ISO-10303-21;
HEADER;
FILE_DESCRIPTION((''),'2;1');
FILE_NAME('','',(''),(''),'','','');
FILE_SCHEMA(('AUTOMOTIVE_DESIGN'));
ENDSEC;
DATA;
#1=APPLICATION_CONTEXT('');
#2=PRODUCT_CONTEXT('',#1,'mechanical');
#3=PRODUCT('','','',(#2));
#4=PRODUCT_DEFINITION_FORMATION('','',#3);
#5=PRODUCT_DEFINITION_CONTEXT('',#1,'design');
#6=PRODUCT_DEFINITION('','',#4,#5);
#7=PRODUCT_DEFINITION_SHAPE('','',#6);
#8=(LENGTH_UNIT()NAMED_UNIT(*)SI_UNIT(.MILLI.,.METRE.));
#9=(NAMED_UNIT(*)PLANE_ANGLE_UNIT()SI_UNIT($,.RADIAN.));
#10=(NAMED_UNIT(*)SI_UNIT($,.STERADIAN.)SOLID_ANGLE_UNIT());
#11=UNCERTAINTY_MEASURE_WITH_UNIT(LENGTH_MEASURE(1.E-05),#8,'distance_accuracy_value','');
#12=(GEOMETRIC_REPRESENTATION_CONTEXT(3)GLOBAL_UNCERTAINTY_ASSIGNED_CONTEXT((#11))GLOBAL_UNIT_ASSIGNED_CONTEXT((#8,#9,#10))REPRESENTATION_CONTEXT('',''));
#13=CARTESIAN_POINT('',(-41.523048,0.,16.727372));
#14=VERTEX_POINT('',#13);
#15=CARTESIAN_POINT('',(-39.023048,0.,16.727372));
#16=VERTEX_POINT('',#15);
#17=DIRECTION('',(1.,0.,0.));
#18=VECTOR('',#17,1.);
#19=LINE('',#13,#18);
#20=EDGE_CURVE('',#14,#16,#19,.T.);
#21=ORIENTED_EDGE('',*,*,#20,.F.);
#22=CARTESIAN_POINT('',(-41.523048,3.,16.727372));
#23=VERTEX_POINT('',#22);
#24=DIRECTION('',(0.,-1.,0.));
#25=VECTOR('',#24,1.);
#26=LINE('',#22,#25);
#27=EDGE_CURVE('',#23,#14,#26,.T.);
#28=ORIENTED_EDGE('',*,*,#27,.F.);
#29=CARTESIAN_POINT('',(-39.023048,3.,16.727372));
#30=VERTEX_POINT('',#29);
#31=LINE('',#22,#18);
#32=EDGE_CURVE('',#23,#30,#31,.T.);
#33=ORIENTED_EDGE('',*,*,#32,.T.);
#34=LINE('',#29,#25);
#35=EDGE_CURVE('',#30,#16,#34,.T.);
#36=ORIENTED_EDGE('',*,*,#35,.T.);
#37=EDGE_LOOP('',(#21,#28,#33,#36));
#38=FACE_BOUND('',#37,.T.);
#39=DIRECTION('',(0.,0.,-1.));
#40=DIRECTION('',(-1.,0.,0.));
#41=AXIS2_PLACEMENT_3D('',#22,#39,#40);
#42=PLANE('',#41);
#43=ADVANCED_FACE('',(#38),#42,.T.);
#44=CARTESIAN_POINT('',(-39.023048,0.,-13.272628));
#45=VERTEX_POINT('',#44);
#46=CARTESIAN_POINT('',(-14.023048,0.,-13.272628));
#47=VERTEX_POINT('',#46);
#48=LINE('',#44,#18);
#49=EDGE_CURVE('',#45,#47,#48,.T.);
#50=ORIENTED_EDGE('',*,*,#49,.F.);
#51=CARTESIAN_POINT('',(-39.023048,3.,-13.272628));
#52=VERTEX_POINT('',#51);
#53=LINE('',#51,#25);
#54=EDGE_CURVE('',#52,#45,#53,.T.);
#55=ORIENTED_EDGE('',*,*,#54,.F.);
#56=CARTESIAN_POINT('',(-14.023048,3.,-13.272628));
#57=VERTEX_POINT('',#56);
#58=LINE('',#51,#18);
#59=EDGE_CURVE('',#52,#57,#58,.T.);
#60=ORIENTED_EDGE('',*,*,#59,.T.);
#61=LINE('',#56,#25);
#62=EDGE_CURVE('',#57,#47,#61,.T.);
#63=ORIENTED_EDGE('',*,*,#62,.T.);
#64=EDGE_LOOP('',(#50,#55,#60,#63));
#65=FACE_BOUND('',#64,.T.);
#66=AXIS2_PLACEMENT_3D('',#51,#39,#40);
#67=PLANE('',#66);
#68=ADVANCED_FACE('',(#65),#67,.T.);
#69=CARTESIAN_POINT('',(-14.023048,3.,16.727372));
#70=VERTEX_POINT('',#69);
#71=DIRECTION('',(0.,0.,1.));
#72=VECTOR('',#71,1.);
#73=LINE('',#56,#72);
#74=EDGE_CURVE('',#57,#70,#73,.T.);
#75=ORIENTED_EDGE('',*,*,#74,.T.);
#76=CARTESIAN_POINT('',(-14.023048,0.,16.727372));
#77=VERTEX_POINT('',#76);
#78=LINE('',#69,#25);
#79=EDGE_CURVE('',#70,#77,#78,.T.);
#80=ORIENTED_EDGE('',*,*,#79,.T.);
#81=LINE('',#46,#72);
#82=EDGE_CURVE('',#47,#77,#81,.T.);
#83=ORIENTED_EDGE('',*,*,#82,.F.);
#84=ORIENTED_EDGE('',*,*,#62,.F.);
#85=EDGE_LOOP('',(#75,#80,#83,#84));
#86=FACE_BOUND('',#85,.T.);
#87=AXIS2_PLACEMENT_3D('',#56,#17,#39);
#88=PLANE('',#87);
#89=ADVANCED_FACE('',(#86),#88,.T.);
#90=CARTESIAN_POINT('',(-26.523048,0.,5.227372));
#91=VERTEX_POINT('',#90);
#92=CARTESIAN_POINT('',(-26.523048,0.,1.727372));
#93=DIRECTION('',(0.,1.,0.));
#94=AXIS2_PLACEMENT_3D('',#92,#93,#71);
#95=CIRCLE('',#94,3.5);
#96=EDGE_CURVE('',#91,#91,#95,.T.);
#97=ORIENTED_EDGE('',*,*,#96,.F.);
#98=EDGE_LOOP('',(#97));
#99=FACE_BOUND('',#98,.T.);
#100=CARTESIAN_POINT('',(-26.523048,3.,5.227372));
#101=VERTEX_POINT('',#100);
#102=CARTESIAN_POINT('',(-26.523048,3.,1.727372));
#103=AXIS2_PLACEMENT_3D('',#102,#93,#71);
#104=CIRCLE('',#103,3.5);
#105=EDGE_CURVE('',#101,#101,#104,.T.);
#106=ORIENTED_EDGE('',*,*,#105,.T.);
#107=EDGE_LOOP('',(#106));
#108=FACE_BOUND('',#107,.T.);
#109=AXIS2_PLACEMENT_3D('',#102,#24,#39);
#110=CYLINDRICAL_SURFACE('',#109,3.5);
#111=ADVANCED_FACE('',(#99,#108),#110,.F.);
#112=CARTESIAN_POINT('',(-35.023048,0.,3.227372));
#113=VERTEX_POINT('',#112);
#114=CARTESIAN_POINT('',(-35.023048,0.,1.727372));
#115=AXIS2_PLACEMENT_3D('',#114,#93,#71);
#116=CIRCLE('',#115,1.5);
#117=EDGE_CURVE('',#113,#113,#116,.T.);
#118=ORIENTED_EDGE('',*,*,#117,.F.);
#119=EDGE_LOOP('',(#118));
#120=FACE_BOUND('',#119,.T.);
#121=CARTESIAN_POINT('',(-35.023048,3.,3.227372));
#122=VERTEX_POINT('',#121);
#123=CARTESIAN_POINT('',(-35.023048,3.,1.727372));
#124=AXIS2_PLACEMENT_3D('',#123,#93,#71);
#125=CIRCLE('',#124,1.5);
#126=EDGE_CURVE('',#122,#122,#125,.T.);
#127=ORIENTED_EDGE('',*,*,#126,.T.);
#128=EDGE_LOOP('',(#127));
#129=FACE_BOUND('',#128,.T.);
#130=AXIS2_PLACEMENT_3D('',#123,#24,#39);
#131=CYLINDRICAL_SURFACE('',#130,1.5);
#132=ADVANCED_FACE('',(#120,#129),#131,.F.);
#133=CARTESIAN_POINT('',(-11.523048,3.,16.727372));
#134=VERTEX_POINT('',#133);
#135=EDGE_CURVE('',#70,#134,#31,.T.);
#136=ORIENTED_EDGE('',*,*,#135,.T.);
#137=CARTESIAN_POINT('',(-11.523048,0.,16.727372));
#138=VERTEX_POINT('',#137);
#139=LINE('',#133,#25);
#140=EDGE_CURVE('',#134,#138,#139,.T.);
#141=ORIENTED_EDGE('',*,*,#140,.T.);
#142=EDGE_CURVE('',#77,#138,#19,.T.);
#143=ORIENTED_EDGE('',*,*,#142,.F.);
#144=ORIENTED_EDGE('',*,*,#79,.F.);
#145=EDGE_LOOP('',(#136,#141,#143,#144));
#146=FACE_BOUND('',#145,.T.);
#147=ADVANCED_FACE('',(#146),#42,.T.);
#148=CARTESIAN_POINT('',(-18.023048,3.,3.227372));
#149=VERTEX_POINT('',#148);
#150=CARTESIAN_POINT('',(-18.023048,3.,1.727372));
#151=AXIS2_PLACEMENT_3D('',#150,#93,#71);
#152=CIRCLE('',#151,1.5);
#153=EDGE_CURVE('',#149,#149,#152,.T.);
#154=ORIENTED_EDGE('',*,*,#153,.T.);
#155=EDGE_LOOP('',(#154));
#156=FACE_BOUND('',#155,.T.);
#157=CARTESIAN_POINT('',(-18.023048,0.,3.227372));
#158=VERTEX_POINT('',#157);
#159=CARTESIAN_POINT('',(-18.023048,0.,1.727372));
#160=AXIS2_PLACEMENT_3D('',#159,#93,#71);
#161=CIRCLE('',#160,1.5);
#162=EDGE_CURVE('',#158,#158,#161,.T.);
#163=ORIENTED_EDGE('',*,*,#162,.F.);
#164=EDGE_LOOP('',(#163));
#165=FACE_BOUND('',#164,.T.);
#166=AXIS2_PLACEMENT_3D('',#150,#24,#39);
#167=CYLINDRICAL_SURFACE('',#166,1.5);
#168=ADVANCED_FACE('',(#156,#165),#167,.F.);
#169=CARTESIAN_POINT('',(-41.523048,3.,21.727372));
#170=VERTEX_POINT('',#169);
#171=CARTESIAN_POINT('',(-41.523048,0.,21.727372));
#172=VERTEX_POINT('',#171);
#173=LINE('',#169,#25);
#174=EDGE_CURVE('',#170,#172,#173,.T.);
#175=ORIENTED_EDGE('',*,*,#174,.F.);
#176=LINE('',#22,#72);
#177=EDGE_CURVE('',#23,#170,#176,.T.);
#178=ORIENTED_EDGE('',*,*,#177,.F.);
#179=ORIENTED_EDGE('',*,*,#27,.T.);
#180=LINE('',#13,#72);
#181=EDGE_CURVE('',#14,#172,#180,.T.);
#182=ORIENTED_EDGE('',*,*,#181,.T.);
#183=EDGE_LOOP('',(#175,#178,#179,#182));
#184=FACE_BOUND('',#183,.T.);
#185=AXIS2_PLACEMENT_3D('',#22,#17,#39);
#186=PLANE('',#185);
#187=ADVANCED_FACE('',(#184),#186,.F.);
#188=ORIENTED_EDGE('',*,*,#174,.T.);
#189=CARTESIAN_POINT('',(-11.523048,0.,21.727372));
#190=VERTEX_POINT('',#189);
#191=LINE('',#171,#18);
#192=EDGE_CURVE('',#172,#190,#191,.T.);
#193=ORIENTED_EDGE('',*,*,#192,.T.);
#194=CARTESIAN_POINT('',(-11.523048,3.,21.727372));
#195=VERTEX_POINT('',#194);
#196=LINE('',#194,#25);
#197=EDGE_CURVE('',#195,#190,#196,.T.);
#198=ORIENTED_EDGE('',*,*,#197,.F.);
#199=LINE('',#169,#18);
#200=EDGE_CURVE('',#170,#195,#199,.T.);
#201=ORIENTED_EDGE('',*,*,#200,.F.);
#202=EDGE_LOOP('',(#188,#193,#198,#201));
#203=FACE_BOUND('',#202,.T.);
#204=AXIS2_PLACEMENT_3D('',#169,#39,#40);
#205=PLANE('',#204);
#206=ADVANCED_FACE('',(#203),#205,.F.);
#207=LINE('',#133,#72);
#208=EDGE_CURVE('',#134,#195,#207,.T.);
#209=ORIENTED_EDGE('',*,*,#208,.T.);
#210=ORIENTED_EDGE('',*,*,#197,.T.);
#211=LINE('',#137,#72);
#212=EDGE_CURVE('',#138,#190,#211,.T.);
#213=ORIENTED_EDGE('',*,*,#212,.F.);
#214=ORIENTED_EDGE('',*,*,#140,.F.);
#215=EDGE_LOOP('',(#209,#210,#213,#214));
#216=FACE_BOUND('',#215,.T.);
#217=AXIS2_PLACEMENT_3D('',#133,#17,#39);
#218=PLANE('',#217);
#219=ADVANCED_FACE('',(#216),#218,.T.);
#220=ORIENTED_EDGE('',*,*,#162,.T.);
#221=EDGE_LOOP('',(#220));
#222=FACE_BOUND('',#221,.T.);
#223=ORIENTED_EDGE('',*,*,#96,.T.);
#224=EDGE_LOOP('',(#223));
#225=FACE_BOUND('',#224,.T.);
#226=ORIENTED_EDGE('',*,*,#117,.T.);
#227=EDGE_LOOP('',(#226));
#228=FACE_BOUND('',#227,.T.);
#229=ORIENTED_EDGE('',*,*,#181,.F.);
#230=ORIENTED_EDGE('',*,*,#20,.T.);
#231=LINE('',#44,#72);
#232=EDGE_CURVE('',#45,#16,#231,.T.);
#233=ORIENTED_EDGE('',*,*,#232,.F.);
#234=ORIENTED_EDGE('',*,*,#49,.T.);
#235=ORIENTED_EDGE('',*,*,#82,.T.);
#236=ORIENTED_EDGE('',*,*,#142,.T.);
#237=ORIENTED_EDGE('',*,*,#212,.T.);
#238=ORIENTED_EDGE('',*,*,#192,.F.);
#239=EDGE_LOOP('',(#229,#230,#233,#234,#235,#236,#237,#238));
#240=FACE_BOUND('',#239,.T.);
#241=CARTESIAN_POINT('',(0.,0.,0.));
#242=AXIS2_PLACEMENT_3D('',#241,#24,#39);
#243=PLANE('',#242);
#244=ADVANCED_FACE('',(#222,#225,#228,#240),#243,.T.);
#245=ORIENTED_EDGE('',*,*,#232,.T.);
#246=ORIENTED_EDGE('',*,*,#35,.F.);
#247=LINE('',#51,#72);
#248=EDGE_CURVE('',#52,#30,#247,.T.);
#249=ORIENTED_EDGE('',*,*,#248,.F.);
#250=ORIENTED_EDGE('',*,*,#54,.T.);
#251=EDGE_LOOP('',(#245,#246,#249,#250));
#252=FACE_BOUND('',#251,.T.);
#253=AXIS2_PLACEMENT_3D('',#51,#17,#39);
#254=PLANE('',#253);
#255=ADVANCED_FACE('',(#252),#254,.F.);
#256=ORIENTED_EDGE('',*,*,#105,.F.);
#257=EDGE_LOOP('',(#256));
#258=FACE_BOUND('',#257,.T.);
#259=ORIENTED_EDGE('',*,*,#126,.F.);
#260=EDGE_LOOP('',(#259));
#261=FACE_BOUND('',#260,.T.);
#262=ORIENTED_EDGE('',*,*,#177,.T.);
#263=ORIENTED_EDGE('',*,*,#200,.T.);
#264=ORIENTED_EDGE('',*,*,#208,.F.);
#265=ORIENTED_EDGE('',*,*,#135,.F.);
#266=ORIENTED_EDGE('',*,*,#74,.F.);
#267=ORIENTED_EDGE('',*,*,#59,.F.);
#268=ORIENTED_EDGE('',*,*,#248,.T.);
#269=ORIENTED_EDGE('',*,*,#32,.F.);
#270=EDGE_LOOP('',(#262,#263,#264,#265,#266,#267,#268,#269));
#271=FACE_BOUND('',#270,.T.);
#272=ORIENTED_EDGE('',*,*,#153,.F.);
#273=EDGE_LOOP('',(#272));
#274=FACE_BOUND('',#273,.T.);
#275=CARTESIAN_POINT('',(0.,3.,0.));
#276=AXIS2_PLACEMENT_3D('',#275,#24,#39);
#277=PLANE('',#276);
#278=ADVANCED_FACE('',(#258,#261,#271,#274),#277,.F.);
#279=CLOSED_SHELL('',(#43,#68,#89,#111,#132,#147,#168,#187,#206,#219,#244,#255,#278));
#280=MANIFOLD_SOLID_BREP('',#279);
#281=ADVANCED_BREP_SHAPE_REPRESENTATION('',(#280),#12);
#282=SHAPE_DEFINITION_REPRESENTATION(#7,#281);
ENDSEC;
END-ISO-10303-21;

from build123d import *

# Parameters (mm, degrees)
SKETCH1_W           = 25
SKETCH1_H           = 30
SKETCH1_R           = 1.5
SKETCH1_R_2         = 3.5
SKETCH1_W_2         = 30
SKETCH1_H_2         = 5
BOSS_EXTRUDE4_DEPTH = 3


with BuildPart() as part:
    # Sketch1 → Boss-Extrude4 (new body)
    # profile 1 of 2: a face of its own
    with BuildSketch(Plane(origin=(0, 0, 0), x_dir=(1, 0, 0), z_dir=(0, 1, 0))):
        with Locations((-26.523048167, -1.727371577)):
            Rectangle(SKETCH1_W, SKETCH1_H)
        with Locations(Location((-18.023048167, -1.727371577, 0), (0, 0, 270))):
            Circle(SKETCH1_R, mode=Mode.SUBTRACT)
        with Locations(Location((-26.523048167, -1.727371577, 0), (0, 0, 270))):
            Circle(SKETCH1_R_2, mode=Mode.SUBTRACT)
        with Locations(Location((-35.023048167, -1.727371577, 0), (0, 0, 270))):
            Circle(SKETCH1_R, mode=Mode.SUBTRACT)
    # profile 2 of 2: a face of its own
    with BuildSketch(Plane(origin=(0, 0, 0), x_dir=(1, 0, 0), z_dir=(0, 1, 0))):
        with Locations((-26.523048167, -19.227371577)):
            Rectangle(SKETCH1_W_2, SKETCH1_H_2)
    extrude(amount=BOSS_EXTRUDE4_DEPTH)


solid = part.part
